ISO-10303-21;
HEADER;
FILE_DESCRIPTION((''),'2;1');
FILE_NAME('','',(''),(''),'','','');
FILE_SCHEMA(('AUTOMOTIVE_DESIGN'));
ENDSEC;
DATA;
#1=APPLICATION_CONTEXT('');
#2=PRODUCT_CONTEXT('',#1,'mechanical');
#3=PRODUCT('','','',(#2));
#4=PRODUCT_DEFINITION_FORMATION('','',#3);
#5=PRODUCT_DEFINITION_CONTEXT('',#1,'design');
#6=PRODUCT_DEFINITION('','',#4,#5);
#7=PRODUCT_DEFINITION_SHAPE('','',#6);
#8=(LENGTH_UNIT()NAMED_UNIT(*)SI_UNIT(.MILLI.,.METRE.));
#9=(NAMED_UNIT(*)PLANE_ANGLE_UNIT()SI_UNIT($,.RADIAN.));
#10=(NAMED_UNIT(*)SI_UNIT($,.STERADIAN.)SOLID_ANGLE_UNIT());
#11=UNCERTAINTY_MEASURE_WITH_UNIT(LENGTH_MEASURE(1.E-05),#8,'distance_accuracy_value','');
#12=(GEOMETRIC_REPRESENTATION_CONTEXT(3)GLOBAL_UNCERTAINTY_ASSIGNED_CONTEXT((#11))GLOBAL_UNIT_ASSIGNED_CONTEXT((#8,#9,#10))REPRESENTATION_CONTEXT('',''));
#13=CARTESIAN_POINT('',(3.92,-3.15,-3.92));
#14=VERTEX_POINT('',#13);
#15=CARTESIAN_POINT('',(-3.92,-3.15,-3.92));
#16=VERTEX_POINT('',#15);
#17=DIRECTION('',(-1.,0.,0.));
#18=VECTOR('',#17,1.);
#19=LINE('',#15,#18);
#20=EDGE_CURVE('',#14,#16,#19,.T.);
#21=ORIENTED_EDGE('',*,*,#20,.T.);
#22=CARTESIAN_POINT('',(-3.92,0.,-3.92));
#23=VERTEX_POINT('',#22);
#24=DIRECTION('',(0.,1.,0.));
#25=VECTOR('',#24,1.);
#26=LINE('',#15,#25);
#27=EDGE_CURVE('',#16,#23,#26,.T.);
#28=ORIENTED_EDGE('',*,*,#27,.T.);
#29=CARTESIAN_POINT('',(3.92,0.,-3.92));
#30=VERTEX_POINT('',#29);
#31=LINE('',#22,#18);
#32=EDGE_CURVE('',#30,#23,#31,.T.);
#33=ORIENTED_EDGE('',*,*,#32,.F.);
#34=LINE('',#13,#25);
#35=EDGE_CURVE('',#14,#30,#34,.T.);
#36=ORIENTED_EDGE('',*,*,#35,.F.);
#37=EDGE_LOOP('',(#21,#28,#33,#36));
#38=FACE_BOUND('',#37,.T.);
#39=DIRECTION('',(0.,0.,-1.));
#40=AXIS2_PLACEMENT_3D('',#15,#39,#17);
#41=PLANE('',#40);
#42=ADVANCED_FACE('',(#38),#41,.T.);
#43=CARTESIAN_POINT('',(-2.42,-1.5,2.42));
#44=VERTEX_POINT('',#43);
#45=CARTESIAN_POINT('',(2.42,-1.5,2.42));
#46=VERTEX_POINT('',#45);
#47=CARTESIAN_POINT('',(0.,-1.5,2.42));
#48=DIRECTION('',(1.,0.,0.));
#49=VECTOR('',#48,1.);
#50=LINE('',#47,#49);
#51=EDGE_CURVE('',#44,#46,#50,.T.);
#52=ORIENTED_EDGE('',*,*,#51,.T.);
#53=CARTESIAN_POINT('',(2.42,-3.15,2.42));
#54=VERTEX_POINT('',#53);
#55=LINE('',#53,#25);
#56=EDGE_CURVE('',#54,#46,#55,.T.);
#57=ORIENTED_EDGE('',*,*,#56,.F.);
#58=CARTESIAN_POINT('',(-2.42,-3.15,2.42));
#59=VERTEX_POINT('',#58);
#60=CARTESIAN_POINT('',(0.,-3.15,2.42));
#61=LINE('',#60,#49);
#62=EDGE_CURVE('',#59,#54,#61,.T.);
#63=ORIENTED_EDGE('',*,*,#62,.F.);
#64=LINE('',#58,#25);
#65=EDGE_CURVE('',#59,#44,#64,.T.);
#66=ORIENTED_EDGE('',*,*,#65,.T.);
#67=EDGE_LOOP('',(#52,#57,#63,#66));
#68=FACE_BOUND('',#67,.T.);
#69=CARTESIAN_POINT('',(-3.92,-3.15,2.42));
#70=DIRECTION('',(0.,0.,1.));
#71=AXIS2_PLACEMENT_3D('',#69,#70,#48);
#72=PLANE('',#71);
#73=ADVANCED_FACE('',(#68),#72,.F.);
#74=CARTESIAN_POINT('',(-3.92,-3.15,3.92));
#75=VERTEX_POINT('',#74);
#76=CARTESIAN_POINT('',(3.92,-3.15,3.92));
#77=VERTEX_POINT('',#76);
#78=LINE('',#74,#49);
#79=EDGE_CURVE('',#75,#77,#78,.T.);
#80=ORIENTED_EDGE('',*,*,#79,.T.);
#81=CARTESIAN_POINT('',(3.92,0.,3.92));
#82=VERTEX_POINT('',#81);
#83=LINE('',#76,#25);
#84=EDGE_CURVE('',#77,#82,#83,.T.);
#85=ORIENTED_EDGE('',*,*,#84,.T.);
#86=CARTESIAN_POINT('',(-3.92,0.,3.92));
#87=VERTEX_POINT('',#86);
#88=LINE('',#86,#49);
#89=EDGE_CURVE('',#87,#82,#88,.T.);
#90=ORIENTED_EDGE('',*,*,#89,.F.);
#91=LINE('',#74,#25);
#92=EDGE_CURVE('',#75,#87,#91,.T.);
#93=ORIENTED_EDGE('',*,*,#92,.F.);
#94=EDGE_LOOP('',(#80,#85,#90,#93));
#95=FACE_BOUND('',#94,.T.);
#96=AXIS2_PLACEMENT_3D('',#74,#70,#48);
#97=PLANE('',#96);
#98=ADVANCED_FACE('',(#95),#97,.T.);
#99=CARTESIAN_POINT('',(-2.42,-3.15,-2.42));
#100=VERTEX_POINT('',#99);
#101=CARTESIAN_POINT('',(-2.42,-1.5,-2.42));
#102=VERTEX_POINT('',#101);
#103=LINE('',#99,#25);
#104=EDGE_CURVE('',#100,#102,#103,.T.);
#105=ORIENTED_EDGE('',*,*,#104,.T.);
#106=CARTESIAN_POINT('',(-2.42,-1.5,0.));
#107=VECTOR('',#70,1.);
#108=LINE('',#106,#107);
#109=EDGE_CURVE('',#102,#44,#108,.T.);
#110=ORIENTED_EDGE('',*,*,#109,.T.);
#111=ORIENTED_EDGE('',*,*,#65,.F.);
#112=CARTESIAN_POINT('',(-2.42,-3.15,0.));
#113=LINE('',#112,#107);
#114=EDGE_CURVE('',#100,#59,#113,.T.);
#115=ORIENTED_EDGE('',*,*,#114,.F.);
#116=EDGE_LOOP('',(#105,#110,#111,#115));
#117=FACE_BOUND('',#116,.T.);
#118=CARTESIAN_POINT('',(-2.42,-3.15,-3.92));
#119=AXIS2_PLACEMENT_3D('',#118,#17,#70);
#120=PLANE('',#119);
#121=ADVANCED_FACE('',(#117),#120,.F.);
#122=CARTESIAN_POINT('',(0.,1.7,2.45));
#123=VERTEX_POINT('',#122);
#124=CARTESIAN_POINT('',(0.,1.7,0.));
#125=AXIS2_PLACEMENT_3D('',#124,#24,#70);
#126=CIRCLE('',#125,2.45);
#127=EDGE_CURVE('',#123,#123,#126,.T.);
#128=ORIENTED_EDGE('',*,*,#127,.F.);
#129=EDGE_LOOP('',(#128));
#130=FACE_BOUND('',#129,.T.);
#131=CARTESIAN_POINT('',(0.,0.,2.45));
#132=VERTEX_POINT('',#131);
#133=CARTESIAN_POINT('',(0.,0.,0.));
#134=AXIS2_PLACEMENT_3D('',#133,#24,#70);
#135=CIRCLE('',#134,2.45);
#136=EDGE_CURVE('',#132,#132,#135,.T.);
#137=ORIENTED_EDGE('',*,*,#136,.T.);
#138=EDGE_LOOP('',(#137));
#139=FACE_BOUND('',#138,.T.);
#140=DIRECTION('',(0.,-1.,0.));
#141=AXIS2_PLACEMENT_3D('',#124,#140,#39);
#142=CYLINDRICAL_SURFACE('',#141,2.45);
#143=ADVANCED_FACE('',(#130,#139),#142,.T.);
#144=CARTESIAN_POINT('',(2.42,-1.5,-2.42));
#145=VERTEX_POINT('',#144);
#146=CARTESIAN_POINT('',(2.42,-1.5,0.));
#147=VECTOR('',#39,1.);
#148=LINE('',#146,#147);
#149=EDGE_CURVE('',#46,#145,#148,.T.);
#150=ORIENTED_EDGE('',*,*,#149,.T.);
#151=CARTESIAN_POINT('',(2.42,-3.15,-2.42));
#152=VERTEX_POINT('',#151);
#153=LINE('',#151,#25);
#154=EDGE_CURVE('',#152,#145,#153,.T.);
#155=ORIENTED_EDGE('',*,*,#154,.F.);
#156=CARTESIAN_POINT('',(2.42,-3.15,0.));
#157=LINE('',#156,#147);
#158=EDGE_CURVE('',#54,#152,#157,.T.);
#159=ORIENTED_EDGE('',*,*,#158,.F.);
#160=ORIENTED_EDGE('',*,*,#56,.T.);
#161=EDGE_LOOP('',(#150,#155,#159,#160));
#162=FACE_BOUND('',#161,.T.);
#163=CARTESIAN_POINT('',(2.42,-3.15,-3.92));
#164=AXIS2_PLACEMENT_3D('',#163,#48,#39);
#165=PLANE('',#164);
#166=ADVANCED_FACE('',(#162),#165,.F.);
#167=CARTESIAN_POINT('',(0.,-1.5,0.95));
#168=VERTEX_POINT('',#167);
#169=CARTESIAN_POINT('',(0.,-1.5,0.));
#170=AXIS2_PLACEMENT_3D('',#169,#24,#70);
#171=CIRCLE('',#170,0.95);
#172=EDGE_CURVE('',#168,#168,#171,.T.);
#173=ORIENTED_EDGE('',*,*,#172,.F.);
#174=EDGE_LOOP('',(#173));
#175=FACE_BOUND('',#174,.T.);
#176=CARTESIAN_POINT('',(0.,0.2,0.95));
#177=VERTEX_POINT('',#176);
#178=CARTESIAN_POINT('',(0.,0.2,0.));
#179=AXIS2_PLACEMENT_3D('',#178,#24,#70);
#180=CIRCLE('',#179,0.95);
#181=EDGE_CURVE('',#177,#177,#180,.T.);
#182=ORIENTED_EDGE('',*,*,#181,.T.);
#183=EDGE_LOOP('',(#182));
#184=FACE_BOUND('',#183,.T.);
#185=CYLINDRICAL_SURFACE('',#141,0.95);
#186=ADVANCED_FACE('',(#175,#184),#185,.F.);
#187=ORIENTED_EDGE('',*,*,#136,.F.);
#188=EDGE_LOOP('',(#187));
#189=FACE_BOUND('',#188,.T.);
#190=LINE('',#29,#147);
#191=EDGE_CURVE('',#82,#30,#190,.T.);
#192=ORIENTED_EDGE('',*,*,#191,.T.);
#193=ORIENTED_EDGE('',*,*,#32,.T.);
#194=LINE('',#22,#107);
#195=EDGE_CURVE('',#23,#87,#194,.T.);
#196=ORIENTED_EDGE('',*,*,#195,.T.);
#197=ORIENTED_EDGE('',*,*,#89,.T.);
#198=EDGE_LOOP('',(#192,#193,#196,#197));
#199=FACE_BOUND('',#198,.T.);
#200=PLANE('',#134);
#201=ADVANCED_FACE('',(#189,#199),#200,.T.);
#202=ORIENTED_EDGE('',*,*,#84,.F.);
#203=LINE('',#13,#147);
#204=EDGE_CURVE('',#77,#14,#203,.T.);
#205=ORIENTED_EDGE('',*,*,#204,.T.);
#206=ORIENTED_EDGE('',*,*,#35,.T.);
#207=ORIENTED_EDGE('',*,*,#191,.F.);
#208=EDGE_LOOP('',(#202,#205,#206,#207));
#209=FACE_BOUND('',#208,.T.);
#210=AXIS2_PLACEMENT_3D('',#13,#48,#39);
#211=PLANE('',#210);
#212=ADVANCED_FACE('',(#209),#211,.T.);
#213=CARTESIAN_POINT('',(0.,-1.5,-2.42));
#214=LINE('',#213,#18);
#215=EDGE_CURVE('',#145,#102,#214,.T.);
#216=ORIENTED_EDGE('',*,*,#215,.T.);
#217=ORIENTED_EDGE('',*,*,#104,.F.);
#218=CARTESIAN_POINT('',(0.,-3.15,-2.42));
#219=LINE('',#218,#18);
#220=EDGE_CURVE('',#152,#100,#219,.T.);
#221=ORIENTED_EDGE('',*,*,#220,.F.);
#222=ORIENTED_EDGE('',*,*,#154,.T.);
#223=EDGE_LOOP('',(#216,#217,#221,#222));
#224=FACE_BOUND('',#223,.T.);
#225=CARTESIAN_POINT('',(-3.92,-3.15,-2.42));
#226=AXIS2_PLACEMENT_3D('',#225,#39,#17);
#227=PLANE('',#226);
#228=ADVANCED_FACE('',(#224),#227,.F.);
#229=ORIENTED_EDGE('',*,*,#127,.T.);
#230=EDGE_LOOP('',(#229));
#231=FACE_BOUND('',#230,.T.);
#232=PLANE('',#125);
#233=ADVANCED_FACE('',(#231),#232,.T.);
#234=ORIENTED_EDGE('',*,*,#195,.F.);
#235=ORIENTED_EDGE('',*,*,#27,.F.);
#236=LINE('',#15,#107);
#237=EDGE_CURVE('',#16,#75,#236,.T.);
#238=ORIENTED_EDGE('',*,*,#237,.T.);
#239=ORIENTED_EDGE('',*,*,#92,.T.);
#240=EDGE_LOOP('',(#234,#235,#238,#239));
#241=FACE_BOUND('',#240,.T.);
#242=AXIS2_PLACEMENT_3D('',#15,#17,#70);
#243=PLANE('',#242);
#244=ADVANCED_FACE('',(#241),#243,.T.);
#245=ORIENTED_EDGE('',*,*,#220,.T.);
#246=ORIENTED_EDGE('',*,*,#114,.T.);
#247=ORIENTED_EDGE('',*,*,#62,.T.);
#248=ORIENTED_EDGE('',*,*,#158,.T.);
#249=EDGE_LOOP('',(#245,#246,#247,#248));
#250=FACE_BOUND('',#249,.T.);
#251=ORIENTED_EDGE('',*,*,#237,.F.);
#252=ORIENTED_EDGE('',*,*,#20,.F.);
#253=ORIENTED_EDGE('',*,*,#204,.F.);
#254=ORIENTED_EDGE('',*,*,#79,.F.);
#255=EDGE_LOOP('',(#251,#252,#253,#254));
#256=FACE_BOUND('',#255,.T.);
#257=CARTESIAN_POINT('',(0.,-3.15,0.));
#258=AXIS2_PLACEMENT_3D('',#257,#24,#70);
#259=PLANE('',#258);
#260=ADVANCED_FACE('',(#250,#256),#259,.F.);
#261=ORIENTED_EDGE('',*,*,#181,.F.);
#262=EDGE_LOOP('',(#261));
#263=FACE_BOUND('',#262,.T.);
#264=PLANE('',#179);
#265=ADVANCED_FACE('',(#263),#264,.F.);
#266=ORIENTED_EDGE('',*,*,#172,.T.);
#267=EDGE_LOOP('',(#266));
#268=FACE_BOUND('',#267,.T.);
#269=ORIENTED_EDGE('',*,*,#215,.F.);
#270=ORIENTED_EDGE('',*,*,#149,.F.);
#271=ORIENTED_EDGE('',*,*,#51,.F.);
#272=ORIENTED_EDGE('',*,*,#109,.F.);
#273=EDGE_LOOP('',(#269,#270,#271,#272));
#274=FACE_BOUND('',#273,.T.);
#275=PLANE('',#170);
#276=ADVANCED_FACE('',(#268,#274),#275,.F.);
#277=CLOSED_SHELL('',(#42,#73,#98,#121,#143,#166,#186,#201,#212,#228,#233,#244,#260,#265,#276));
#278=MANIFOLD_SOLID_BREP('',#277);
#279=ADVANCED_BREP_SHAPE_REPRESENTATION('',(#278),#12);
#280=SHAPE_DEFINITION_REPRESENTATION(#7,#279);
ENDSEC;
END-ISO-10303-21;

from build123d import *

# Parameters (mm, degrees)
SKETCH3_W           = 7.84
SKETCH3_H           = 7.84
BOSS_EXTRUDE1_DEPTH = 3.15
SKETCH4_R           = 2.45
BOSS_EXTRUDE2_DEPTH = 1.7
SHELL1_T            = -1.5


with BuildPart() as part:
    # Sketch3 → Boss-Extrude1 (new body)
    with BuildSketch(Plane(origin=(0, 0, 0), x_dir=(1, 0, 0), z_dir=(0, 1, 0))):
        Rectangle(SKETCH3_W, SKETCH3_H)
    extrude(amount=-BOSS_EXTRUDE1_DEPTH)

    # Sketch4 → Boss-Extrude2 (add)
    with BuildSketch(Plane(origin=(0, 0, 0), x_dir=(1, 0, 0), z_dir=(0, 1, 0))):
        with Locations(Location((0, 0, 0), (0, 0, 270))):
            Circle(SKETCH4_R)
    extrude(amount=BOSS_EXTRUDE2_DEPTH)

    # Shell1
    shell1_openings = [part.faces().sort_by_distance(p)[0] for p in [
        (0, -3.15, 0),
    ]]
    offset(amount=SHELL1_T, openings=shell1_openings, kind=Kind.INTERSECTION)


solid = part.part
